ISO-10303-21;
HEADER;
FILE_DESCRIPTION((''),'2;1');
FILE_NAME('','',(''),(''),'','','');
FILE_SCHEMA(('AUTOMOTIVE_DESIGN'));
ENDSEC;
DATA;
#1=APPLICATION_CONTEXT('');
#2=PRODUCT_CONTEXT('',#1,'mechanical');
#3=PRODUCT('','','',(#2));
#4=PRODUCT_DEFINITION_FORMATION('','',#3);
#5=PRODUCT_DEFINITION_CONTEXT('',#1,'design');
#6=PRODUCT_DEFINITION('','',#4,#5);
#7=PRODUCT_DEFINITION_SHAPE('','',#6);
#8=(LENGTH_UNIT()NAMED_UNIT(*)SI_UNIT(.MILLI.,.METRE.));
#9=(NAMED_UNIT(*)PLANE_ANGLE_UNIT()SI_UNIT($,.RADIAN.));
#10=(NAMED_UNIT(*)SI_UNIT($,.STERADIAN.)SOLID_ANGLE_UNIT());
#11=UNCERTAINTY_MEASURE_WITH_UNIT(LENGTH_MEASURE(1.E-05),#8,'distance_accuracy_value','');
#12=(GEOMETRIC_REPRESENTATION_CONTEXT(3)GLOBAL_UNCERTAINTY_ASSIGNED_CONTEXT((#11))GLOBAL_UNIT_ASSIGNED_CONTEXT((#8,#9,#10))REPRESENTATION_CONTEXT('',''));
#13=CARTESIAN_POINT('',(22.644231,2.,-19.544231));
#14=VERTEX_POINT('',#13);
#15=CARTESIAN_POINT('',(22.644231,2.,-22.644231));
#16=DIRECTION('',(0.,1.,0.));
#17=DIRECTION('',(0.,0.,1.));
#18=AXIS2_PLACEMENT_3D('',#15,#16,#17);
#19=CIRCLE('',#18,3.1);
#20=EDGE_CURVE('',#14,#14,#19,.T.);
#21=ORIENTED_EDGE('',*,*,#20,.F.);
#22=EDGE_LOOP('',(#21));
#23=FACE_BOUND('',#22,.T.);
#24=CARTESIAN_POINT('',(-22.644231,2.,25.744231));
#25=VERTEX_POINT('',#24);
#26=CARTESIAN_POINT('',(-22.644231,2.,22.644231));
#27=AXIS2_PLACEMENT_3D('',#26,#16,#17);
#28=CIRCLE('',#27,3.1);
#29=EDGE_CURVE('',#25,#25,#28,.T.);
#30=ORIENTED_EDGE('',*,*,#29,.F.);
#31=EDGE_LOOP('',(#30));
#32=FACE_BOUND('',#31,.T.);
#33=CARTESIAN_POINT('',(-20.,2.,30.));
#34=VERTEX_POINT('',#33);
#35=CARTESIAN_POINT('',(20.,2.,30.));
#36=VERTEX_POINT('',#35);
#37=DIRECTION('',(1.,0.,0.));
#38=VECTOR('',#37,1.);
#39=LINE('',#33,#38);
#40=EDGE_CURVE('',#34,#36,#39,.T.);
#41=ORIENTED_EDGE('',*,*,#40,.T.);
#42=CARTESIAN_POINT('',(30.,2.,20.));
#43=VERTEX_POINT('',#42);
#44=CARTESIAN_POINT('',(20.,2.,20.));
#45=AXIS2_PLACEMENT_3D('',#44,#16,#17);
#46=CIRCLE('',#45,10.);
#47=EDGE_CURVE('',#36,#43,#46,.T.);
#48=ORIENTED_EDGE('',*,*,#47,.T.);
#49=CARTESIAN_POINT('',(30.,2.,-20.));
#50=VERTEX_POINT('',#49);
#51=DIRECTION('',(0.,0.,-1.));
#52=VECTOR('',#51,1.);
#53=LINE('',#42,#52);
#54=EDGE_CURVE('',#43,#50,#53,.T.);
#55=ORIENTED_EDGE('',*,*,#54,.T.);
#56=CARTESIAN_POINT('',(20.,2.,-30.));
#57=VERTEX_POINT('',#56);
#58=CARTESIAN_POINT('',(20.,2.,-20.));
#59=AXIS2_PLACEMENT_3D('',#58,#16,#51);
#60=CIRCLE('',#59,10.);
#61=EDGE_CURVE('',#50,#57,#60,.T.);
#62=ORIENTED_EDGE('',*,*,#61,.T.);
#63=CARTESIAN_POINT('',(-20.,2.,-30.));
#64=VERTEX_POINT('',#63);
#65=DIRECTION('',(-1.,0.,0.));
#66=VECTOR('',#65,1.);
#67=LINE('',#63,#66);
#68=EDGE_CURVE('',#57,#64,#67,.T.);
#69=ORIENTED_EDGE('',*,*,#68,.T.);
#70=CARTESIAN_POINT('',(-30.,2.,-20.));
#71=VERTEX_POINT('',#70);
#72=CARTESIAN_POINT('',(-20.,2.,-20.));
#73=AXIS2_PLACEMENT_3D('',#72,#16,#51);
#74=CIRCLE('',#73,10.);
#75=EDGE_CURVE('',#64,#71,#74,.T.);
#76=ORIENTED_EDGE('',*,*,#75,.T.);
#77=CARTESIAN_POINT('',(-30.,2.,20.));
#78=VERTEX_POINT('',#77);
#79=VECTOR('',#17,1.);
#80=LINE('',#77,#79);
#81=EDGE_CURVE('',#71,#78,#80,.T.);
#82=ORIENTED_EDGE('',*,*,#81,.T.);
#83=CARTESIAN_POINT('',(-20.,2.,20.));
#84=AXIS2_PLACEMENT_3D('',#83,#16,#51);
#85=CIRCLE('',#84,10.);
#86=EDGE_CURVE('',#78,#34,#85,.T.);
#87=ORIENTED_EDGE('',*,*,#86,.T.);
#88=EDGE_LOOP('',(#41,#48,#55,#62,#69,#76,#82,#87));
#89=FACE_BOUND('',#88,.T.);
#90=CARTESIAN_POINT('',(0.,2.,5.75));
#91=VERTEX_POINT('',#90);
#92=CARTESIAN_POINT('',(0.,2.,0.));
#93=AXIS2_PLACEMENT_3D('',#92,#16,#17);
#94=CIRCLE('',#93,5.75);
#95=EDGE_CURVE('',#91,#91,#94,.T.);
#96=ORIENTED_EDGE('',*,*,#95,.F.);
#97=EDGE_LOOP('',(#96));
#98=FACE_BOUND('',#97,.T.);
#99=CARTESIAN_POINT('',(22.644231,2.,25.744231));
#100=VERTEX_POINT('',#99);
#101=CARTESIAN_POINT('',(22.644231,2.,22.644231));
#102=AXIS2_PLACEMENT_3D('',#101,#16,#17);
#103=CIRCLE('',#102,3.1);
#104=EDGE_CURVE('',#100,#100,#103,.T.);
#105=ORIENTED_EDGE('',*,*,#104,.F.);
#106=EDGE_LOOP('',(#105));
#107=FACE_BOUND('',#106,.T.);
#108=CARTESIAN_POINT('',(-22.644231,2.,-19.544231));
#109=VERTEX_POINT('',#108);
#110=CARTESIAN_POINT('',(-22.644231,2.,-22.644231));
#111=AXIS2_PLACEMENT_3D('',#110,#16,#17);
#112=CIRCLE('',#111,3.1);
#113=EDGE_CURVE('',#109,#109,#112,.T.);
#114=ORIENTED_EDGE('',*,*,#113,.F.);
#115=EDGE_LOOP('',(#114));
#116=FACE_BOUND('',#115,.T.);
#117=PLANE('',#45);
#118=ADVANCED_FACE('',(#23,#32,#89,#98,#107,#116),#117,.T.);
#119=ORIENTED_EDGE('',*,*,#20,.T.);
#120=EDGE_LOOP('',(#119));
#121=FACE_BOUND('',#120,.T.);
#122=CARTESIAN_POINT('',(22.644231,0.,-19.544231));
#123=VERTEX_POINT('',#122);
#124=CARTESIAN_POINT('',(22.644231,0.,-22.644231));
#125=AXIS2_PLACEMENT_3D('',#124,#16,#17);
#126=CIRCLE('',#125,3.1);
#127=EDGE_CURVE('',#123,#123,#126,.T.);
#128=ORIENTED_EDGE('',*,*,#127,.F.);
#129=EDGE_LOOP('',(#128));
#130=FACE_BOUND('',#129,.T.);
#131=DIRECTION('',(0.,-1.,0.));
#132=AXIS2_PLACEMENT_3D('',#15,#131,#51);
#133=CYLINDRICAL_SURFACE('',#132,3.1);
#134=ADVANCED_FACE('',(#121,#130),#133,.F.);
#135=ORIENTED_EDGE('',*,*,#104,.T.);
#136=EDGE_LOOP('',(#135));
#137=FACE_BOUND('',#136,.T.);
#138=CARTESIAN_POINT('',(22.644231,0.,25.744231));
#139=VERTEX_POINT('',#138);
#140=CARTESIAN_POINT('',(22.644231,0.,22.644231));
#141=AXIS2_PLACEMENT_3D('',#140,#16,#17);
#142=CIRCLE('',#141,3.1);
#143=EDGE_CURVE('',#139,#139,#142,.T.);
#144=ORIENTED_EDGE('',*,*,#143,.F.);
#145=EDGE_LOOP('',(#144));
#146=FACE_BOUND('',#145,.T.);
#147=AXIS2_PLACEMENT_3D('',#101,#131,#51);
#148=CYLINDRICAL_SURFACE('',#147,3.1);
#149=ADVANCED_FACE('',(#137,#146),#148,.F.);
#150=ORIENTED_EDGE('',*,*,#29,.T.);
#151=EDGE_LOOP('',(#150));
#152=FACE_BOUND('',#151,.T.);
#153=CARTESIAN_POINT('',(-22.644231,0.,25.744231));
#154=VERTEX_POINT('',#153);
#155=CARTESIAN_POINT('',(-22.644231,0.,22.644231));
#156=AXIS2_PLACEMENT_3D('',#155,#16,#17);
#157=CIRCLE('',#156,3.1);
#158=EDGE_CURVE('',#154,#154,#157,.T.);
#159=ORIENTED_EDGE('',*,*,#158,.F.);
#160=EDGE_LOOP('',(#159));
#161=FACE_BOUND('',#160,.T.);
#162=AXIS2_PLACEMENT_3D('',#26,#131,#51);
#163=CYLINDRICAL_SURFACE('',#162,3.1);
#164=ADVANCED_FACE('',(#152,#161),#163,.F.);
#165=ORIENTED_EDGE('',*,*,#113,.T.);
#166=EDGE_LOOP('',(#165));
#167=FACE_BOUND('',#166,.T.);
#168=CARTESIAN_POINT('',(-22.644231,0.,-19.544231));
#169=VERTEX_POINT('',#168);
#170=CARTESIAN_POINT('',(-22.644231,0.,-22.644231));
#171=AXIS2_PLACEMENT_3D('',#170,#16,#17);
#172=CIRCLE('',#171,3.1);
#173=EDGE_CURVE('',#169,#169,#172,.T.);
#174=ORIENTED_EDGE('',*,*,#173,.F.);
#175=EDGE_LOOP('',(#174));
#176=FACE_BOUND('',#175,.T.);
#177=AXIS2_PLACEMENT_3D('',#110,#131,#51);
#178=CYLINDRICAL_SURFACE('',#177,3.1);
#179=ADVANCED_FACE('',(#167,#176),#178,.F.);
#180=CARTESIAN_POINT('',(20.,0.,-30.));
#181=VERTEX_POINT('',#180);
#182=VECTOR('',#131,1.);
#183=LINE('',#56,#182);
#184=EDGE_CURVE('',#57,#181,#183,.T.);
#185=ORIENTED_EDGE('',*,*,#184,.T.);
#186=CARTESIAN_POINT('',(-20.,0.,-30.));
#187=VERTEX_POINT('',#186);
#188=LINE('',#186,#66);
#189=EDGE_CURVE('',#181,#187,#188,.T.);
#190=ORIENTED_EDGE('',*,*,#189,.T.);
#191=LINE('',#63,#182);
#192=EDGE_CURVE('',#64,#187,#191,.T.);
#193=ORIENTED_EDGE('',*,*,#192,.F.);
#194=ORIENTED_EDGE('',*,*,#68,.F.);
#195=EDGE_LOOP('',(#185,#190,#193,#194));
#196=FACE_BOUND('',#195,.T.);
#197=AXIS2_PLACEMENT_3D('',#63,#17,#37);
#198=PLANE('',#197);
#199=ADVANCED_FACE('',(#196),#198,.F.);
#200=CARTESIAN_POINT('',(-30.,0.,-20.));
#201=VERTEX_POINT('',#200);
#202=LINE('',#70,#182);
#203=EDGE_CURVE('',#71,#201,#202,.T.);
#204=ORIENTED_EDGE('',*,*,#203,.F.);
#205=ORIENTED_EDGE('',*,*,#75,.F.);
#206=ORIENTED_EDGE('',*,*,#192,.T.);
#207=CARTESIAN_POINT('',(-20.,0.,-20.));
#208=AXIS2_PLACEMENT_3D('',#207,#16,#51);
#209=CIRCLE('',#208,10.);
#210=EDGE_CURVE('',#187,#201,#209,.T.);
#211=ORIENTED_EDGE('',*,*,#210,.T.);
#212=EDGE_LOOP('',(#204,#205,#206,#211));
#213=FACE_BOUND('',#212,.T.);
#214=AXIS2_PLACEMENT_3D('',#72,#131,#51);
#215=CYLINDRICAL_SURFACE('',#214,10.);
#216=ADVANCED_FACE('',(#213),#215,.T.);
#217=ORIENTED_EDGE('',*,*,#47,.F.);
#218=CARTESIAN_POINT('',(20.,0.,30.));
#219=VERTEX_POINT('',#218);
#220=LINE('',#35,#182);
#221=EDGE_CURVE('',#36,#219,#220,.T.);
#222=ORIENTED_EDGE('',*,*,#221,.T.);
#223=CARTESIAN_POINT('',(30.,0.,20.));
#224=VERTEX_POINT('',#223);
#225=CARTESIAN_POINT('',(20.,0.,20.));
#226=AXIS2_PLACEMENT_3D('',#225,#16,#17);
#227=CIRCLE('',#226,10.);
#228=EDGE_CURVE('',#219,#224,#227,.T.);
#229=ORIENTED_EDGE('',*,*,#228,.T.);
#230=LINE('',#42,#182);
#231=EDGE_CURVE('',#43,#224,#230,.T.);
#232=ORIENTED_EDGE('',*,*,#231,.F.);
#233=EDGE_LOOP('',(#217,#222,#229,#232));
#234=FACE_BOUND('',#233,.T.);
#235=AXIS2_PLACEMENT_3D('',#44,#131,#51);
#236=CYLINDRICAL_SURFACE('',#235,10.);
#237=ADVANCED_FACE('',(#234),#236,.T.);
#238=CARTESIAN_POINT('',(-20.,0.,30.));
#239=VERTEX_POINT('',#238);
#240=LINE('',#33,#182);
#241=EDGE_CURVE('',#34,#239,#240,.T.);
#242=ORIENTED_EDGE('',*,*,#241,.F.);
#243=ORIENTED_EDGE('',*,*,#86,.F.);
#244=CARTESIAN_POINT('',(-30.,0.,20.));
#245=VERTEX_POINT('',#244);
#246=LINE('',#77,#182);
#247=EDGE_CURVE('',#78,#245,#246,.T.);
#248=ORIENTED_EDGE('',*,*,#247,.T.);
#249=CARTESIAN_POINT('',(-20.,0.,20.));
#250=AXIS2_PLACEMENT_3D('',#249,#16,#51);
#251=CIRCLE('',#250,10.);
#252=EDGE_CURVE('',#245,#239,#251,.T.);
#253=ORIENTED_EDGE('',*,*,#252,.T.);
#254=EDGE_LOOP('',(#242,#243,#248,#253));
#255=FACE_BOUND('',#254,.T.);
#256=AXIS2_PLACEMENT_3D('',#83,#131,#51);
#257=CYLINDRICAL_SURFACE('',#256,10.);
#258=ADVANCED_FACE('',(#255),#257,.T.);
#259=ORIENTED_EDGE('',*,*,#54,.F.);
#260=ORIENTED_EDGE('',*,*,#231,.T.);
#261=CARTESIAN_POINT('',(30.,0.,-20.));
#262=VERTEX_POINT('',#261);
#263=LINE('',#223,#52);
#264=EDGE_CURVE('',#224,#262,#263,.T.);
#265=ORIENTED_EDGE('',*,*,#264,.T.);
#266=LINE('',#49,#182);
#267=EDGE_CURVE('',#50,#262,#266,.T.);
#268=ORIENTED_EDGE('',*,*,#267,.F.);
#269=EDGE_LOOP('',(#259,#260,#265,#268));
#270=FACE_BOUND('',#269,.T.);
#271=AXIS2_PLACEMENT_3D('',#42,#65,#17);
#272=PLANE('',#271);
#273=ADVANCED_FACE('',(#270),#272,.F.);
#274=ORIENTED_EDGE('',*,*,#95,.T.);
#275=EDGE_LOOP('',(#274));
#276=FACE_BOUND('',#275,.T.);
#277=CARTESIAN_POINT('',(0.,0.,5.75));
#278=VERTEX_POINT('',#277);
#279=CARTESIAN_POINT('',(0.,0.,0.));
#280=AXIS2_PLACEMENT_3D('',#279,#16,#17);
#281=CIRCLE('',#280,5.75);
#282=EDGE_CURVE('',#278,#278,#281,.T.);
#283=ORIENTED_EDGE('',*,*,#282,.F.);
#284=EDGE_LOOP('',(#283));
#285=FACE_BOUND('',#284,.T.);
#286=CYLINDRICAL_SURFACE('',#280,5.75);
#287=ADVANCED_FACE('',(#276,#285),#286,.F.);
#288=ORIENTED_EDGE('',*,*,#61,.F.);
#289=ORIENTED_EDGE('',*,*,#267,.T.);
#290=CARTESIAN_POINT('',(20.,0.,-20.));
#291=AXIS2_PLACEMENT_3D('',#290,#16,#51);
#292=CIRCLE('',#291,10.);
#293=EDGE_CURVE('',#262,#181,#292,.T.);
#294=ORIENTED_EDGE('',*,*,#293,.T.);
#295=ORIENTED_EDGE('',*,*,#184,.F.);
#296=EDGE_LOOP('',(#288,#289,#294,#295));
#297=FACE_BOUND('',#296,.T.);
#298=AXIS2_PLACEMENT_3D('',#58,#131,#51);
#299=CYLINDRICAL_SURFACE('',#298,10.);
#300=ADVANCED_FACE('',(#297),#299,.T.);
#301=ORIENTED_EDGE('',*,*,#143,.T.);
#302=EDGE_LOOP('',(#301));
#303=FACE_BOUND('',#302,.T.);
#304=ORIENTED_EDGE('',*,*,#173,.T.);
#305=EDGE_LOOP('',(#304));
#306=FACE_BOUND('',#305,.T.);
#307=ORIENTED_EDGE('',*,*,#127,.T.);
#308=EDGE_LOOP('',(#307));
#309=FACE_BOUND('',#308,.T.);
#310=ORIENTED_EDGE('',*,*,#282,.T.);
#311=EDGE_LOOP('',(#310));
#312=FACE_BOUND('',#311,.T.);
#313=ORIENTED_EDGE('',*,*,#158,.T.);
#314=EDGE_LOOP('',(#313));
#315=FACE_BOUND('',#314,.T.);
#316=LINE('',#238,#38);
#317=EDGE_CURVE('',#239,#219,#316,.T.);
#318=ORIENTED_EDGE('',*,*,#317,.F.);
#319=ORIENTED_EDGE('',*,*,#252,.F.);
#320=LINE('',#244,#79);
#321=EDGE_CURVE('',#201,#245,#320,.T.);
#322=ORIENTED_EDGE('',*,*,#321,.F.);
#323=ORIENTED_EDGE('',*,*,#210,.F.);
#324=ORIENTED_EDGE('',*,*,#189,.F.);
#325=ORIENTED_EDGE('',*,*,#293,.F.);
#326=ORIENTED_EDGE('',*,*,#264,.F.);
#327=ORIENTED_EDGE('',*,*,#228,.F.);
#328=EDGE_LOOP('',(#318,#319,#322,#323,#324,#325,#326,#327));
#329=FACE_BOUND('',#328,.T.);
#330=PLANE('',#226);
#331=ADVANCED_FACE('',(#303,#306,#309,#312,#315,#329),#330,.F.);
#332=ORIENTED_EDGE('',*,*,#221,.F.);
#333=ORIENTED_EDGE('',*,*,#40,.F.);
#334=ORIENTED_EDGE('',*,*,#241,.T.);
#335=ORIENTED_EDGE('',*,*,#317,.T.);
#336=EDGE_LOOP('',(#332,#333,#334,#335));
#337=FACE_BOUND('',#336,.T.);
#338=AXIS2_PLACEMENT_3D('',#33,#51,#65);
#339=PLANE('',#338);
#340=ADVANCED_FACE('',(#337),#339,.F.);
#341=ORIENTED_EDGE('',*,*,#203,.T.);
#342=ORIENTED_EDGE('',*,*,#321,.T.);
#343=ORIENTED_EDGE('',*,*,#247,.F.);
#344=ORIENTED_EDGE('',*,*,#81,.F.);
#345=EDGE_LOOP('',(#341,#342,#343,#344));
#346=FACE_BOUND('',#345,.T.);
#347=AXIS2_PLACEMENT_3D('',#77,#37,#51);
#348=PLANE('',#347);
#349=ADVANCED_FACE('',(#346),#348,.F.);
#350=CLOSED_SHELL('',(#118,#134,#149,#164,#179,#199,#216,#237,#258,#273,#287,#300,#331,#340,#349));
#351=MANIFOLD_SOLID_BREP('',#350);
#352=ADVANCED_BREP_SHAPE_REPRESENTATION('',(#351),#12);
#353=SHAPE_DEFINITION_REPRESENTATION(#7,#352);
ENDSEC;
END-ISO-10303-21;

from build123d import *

# Parameters (mm, degrees)
SKETCH1_R           = 3.1
BOSS_EXTRUDE1_DEPTH = 2
SKETCH2_R           = 5.75
CUT_EXTRUDE1_DEPTH  = 3


with BuildPart() as part:
    # Sketch1 → Boss-Extrude1 (new body)
    with BuildSketch(Plane(origin=(0, 0, 0), x_dir=(1, 0, 0), z_dir=(0, 1, 0))):
        with BuildLine():
            Line((-20, -30), (20, -30))
            ThreePointArc((20, -30), (27.071067812, -27.071067812), (30, -20))
            Line((30, -20), (30, 20))
            ThreePointArc((30, 20), (27.071067812, 27.071067812), (20, 30))
            Line((20, 30), (-20, 30))
            ThreePointArc((-20, 30), (-27.071067812, 27.071067812), (-30, 20))
            Line((-30, 20), (-30, -20))
            ThreePointArc((-30, -20), (-27.071067812, -27.071067812), (-20, -30))
        make_face()
        with Locations((-22.644230769, 22.644230769)):
            Circle(SKETCH1_R, mode=Mode.SUBTRACT)
        with Locations((-22.644230769, -22.644230769)):
            Circle(SKETCH1_R, mode=Mode.SUBTRACT)
        with Locations((22.644230769, -22.644230769)):
            Circle(SKETCH1_R, mode=Mode.SUBTRACT)
        with Locations((22.644230769, 22.644230769)):
            Circle(SKETCH1_R, mode=Mode.SUBTRACT)
    extrude(amount=BOSS_EXTRUDE1_DEPTH)

    # Sketch2 → Cut-Extrude1 (cut, through all)
    with BuildSketch(Plane(origin=(0, 2, 0), x_dir=(1, 0, 0), z_dir=(0, 1, 0))):
        Circle(SKETCH2_R)
    extrude(amount=-CUT_EXTRUDE1_DEPTH, mode=Mode.SUBTRACT)


solid = part.part
